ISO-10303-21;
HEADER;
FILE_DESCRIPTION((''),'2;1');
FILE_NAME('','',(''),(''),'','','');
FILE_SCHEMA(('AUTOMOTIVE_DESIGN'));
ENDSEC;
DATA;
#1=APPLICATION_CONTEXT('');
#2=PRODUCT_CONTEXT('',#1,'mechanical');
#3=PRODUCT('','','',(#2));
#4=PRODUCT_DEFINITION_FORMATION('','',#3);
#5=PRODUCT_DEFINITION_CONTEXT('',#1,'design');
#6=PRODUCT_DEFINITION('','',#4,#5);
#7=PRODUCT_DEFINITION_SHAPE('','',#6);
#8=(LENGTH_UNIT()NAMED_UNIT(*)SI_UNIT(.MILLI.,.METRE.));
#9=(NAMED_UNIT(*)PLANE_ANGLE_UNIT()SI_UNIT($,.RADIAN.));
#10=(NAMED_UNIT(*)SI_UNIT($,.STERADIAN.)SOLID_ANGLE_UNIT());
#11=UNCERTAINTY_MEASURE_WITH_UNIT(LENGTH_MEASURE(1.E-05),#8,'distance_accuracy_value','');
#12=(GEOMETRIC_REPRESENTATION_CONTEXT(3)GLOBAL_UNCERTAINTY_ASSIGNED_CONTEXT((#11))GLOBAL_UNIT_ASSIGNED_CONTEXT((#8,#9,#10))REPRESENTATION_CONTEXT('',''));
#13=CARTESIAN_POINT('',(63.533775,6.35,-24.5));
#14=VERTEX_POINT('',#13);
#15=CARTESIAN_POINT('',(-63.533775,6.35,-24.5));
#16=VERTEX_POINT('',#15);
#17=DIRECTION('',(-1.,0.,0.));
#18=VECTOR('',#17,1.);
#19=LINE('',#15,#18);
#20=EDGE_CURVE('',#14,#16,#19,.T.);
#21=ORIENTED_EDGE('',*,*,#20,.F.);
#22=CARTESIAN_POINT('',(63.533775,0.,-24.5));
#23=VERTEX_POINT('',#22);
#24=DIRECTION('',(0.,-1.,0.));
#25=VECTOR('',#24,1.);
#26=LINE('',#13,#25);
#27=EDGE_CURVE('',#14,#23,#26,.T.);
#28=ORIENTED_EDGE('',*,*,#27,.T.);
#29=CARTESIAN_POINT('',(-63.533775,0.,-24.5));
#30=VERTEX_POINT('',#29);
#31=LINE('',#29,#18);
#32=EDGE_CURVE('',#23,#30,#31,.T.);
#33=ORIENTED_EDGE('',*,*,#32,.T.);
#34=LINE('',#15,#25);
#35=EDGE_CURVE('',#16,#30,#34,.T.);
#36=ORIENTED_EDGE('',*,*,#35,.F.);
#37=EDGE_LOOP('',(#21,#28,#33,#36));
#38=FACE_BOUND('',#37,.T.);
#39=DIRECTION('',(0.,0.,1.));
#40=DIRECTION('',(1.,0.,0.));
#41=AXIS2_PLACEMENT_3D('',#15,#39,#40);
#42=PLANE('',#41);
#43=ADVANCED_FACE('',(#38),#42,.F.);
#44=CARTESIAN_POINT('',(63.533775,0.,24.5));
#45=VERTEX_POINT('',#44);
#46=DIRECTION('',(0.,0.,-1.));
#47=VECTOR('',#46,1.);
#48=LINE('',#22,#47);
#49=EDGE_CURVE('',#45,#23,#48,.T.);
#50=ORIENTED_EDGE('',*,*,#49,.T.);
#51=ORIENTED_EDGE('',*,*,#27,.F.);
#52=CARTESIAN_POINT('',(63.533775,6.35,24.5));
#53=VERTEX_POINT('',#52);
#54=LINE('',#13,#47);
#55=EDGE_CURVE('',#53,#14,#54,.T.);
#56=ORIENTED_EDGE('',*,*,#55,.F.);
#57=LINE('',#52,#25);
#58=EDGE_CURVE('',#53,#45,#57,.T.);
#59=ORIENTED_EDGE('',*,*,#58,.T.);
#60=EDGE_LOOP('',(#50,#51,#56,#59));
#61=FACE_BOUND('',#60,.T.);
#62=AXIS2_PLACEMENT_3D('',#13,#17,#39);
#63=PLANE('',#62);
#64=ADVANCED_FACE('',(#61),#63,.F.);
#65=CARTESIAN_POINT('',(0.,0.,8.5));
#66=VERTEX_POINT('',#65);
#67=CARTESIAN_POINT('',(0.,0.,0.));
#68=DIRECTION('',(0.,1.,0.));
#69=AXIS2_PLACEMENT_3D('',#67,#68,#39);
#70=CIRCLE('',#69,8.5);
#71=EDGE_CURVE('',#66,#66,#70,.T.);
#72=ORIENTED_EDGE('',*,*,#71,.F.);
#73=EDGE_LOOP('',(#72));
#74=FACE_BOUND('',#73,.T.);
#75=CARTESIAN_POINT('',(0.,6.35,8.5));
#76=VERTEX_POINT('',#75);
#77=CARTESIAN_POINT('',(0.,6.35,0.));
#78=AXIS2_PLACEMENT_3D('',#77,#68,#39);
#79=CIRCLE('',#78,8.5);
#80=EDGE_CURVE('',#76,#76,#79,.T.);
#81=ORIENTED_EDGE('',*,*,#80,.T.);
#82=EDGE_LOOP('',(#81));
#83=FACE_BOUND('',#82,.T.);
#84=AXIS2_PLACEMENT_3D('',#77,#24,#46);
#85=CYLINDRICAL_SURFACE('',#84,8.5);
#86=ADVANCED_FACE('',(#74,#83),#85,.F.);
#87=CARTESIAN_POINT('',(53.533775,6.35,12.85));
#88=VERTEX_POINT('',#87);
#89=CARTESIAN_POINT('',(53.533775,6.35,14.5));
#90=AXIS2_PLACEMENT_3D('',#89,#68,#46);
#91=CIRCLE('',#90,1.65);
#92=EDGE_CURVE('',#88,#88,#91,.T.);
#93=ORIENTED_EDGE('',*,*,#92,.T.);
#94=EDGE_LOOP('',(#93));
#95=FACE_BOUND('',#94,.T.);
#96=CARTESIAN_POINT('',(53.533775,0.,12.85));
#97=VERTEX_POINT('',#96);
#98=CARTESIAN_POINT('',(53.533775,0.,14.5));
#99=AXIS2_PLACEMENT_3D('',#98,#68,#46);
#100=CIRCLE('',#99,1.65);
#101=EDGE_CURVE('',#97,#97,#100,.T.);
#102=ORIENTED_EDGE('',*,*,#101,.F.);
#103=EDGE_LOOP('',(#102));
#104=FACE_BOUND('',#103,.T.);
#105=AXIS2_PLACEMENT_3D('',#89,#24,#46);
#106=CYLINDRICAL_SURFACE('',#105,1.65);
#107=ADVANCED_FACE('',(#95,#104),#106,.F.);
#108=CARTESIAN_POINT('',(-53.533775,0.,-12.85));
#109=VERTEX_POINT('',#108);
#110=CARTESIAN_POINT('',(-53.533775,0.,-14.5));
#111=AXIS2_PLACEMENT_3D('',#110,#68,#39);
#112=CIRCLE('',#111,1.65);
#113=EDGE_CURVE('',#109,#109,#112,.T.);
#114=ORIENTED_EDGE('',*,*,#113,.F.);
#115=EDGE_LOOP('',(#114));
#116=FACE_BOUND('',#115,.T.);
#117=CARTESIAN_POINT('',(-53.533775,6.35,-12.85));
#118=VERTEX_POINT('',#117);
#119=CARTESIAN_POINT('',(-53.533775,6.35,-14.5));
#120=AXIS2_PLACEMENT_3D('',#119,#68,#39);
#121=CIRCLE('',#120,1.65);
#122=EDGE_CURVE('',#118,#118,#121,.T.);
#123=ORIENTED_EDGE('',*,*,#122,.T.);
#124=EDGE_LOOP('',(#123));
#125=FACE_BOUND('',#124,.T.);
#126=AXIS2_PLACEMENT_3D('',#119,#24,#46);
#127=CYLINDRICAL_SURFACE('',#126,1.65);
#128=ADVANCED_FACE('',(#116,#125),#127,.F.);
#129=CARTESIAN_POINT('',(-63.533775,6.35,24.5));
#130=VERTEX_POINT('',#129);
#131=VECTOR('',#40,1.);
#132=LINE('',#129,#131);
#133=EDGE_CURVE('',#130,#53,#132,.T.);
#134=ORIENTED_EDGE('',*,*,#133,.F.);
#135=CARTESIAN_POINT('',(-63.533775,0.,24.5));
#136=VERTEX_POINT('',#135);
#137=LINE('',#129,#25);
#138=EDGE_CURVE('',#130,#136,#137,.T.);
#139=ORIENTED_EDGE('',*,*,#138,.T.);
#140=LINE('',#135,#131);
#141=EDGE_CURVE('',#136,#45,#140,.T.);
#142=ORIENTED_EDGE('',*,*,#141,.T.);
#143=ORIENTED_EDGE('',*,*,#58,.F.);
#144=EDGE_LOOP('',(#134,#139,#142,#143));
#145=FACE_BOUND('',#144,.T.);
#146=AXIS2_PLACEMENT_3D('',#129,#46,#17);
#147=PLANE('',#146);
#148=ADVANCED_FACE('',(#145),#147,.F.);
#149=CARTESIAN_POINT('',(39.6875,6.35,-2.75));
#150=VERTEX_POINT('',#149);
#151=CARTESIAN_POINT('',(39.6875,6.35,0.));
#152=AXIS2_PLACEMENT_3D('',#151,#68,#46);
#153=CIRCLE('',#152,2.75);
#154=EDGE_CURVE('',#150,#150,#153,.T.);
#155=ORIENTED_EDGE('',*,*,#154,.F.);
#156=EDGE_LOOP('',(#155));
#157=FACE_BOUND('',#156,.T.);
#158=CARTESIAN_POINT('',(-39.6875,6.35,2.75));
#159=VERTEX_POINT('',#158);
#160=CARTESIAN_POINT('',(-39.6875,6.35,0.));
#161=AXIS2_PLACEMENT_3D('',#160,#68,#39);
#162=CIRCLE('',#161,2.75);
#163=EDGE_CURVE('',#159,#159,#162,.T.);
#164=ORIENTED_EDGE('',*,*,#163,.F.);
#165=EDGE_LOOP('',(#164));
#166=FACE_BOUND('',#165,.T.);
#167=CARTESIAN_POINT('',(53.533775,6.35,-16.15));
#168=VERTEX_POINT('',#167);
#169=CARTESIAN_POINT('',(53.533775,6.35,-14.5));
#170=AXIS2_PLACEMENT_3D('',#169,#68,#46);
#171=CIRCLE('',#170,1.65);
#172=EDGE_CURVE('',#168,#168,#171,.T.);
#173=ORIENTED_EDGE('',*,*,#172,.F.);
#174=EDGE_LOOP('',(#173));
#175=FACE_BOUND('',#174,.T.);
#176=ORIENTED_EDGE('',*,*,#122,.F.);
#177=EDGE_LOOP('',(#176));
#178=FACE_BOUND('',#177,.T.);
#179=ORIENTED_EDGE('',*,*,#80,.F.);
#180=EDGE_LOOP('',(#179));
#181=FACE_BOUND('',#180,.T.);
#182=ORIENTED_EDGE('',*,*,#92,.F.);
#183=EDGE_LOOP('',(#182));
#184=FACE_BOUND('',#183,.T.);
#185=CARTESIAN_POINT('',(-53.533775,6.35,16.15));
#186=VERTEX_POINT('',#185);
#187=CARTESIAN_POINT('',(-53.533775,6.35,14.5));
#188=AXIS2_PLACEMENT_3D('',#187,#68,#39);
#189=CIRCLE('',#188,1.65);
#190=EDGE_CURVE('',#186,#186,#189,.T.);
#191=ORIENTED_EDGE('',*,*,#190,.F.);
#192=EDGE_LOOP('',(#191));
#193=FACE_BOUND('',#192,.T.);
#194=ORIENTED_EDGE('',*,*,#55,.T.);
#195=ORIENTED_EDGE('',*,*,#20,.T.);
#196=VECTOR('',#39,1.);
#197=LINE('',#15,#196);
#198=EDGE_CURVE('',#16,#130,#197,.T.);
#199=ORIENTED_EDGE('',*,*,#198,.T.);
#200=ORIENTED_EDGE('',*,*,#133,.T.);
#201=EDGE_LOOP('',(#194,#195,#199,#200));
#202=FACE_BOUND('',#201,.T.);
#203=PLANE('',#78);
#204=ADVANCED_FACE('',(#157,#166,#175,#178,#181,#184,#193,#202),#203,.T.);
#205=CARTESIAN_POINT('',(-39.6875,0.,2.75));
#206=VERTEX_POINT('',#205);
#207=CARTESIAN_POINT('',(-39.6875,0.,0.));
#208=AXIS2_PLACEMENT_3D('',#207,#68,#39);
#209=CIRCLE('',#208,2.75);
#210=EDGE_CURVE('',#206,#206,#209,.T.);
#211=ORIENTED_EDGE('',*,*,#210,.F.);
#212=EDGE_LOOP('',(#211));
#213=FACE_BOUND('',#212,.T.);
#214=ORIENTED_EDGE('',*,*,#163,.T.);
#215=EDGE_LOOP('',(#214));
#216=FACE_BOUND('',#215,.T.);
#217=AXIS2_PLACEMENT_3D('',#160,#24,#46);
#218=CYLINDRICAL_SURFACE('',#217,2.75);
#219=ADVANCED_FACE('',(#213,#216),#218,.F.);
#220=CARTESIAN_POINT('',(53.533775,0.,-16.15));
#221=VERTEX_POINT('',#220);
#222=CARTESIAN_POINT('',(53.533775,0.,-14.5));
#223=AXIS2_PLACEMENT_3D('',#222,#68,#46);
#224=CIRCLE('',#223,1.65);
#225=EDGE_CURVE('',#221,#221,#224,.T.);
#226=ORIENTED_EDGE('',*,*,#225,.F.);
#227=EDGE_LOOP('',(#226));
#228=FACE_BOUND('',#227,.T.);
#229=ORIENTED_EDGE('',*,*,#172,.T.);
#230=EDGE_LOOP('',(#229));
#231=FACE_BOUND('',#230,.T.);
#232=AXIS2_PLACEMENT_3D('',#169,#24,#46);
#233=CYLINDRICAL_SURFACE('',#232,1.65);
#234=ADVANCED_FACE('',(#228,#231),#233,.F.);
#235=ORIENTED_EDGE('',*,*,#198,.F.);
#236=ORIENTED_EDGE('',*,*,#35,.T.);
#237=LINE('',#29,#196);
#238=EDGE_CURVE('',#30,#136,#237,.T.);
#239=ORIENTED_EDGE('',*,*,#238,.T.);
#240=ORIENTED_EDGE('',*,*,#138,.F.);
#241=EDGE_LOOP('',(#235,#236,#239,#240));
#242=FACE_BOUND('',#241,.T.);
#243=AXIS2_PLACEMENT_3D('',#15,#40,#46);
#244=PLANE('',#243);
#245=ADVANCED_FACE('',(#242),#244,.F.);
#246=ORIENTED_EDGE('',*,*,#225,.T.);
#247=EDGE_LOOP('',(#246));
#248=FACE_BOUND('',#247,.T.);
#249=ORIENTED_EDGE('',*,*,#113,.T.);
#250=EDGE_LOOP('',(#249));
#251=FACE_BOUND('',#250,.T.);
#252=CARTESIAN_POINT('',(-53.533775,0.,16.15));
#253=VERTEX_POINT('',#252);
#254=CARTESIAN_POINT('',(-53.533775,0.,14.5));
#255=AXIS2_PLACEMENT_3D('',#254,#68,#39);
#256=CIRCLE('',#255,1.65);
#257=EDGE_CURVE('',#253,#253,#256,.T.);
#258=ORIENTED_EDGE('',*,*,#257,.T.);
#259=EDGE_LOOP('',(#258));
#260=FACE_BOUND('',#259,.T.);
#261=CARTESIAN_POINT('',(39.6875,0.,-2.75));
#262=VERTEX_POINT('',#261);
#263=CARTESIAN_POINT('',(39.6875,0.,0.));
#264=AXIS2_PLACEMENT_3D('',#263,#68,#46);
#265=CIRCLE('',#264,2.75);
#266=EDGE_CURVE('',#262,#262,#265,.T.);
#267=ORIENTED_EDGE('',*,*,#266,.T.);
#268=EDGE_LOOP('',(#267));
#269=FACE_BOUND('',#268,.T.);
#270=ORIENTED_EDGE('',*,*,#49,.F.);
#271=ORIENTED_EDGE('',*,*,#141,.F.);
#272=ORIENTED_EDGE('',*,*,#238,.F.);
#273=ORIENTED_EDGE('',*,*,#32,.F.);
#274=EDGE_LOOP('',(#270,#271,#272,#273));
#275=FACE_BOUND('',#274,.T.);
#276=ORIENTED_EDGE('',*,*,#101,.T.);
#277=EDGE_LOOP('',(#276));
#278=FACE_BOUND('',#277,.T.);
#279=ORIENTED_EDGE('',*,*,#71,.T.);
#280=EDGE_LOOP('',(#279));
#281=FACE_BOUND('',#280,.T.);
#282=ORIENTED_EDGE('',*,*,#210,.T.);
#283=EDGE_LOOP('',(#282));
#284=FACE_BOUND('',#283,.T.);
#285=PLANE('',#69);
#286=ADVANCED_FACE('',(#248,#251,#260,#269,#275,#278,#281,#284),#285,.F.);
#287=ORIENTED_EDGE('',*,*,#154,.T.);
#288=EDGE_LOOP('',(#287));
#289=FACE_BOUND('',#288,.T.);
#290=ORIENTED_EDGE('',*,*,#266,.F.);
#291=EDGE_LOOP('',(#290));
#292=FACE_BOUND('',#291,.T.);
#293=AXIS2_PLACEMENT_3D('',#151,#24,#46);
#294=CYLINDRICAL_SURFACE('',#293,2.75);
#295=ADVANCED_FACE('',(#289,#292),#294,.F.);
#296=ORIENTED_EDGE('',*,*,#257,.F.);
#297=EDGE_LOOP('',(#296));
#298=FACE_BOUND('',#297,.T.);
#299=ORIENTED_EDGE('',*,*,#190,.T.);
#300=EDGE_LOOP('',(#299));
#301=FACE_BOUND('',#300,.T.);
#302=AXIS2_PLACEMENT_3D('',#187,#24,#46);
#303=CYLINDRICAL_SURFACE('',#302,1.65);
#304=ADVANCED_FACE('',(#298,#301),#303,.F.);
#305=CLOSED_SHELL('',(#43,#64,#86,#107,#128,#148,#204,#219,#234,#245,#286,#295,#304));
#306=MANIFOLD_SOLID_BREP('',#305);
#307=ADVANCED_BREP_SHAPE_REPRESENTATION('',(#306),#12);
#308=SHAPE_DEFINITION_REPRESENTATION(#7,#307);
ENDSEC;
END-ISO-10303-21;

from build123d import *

# Parameters (mm, degrees)
SKETCH1_W           = 127.06755
SKETCH1_H           = 49
SKETCH1_R           = 8.5
SKETCH1_R_2         = 2.75
SKETCH1_R_3         = 1.65
BOSS_EXTRUDE1_DEPTH = 6.35


with BuildPart() as part:
    # Sketch1 → Boss-Extrude1 (new body)
    with BuildSketch(Plane(origin=(0, 0, 0), x_dir=(1, 0, 0), z_dir=(0, 1, 0))):
        Rectangle(SKETCH1_W, SKETCH1_H)
        Circle(SKETCH1_R, mode=Mode.SUBTRACT)
        with Locations((-39.6875, 0)):
            Circle(SKETCH1_R_2, mode=Mode.SUBTRACT)
        with Locations((-53.533775, 14.5)):
            Circle(SKETCH1_R_3, mode=Mode.SUBTRACT)
        with Locations((-53.533775, -14.5)):
            Circle(SKETCH1_R_3, mode=Mode.SUBTRACT)
        with Locations((53.533775, 14.5)):
            Circle(SKETCH1_R_3, mode=Mode.SUBTRACT)
        with Locations((39.6875, 0)):
            Circle(SKETCH1_R_2, mode=Mode.SUBTRACT)
        with Locations((53.533775, -14.5)):
            Circle(SKETCH1_R_3, mode=Mode.SUBTRACT)
    extrude(amount=BOSS_EXTRUDE1_DEPTH)


solid = part.part
